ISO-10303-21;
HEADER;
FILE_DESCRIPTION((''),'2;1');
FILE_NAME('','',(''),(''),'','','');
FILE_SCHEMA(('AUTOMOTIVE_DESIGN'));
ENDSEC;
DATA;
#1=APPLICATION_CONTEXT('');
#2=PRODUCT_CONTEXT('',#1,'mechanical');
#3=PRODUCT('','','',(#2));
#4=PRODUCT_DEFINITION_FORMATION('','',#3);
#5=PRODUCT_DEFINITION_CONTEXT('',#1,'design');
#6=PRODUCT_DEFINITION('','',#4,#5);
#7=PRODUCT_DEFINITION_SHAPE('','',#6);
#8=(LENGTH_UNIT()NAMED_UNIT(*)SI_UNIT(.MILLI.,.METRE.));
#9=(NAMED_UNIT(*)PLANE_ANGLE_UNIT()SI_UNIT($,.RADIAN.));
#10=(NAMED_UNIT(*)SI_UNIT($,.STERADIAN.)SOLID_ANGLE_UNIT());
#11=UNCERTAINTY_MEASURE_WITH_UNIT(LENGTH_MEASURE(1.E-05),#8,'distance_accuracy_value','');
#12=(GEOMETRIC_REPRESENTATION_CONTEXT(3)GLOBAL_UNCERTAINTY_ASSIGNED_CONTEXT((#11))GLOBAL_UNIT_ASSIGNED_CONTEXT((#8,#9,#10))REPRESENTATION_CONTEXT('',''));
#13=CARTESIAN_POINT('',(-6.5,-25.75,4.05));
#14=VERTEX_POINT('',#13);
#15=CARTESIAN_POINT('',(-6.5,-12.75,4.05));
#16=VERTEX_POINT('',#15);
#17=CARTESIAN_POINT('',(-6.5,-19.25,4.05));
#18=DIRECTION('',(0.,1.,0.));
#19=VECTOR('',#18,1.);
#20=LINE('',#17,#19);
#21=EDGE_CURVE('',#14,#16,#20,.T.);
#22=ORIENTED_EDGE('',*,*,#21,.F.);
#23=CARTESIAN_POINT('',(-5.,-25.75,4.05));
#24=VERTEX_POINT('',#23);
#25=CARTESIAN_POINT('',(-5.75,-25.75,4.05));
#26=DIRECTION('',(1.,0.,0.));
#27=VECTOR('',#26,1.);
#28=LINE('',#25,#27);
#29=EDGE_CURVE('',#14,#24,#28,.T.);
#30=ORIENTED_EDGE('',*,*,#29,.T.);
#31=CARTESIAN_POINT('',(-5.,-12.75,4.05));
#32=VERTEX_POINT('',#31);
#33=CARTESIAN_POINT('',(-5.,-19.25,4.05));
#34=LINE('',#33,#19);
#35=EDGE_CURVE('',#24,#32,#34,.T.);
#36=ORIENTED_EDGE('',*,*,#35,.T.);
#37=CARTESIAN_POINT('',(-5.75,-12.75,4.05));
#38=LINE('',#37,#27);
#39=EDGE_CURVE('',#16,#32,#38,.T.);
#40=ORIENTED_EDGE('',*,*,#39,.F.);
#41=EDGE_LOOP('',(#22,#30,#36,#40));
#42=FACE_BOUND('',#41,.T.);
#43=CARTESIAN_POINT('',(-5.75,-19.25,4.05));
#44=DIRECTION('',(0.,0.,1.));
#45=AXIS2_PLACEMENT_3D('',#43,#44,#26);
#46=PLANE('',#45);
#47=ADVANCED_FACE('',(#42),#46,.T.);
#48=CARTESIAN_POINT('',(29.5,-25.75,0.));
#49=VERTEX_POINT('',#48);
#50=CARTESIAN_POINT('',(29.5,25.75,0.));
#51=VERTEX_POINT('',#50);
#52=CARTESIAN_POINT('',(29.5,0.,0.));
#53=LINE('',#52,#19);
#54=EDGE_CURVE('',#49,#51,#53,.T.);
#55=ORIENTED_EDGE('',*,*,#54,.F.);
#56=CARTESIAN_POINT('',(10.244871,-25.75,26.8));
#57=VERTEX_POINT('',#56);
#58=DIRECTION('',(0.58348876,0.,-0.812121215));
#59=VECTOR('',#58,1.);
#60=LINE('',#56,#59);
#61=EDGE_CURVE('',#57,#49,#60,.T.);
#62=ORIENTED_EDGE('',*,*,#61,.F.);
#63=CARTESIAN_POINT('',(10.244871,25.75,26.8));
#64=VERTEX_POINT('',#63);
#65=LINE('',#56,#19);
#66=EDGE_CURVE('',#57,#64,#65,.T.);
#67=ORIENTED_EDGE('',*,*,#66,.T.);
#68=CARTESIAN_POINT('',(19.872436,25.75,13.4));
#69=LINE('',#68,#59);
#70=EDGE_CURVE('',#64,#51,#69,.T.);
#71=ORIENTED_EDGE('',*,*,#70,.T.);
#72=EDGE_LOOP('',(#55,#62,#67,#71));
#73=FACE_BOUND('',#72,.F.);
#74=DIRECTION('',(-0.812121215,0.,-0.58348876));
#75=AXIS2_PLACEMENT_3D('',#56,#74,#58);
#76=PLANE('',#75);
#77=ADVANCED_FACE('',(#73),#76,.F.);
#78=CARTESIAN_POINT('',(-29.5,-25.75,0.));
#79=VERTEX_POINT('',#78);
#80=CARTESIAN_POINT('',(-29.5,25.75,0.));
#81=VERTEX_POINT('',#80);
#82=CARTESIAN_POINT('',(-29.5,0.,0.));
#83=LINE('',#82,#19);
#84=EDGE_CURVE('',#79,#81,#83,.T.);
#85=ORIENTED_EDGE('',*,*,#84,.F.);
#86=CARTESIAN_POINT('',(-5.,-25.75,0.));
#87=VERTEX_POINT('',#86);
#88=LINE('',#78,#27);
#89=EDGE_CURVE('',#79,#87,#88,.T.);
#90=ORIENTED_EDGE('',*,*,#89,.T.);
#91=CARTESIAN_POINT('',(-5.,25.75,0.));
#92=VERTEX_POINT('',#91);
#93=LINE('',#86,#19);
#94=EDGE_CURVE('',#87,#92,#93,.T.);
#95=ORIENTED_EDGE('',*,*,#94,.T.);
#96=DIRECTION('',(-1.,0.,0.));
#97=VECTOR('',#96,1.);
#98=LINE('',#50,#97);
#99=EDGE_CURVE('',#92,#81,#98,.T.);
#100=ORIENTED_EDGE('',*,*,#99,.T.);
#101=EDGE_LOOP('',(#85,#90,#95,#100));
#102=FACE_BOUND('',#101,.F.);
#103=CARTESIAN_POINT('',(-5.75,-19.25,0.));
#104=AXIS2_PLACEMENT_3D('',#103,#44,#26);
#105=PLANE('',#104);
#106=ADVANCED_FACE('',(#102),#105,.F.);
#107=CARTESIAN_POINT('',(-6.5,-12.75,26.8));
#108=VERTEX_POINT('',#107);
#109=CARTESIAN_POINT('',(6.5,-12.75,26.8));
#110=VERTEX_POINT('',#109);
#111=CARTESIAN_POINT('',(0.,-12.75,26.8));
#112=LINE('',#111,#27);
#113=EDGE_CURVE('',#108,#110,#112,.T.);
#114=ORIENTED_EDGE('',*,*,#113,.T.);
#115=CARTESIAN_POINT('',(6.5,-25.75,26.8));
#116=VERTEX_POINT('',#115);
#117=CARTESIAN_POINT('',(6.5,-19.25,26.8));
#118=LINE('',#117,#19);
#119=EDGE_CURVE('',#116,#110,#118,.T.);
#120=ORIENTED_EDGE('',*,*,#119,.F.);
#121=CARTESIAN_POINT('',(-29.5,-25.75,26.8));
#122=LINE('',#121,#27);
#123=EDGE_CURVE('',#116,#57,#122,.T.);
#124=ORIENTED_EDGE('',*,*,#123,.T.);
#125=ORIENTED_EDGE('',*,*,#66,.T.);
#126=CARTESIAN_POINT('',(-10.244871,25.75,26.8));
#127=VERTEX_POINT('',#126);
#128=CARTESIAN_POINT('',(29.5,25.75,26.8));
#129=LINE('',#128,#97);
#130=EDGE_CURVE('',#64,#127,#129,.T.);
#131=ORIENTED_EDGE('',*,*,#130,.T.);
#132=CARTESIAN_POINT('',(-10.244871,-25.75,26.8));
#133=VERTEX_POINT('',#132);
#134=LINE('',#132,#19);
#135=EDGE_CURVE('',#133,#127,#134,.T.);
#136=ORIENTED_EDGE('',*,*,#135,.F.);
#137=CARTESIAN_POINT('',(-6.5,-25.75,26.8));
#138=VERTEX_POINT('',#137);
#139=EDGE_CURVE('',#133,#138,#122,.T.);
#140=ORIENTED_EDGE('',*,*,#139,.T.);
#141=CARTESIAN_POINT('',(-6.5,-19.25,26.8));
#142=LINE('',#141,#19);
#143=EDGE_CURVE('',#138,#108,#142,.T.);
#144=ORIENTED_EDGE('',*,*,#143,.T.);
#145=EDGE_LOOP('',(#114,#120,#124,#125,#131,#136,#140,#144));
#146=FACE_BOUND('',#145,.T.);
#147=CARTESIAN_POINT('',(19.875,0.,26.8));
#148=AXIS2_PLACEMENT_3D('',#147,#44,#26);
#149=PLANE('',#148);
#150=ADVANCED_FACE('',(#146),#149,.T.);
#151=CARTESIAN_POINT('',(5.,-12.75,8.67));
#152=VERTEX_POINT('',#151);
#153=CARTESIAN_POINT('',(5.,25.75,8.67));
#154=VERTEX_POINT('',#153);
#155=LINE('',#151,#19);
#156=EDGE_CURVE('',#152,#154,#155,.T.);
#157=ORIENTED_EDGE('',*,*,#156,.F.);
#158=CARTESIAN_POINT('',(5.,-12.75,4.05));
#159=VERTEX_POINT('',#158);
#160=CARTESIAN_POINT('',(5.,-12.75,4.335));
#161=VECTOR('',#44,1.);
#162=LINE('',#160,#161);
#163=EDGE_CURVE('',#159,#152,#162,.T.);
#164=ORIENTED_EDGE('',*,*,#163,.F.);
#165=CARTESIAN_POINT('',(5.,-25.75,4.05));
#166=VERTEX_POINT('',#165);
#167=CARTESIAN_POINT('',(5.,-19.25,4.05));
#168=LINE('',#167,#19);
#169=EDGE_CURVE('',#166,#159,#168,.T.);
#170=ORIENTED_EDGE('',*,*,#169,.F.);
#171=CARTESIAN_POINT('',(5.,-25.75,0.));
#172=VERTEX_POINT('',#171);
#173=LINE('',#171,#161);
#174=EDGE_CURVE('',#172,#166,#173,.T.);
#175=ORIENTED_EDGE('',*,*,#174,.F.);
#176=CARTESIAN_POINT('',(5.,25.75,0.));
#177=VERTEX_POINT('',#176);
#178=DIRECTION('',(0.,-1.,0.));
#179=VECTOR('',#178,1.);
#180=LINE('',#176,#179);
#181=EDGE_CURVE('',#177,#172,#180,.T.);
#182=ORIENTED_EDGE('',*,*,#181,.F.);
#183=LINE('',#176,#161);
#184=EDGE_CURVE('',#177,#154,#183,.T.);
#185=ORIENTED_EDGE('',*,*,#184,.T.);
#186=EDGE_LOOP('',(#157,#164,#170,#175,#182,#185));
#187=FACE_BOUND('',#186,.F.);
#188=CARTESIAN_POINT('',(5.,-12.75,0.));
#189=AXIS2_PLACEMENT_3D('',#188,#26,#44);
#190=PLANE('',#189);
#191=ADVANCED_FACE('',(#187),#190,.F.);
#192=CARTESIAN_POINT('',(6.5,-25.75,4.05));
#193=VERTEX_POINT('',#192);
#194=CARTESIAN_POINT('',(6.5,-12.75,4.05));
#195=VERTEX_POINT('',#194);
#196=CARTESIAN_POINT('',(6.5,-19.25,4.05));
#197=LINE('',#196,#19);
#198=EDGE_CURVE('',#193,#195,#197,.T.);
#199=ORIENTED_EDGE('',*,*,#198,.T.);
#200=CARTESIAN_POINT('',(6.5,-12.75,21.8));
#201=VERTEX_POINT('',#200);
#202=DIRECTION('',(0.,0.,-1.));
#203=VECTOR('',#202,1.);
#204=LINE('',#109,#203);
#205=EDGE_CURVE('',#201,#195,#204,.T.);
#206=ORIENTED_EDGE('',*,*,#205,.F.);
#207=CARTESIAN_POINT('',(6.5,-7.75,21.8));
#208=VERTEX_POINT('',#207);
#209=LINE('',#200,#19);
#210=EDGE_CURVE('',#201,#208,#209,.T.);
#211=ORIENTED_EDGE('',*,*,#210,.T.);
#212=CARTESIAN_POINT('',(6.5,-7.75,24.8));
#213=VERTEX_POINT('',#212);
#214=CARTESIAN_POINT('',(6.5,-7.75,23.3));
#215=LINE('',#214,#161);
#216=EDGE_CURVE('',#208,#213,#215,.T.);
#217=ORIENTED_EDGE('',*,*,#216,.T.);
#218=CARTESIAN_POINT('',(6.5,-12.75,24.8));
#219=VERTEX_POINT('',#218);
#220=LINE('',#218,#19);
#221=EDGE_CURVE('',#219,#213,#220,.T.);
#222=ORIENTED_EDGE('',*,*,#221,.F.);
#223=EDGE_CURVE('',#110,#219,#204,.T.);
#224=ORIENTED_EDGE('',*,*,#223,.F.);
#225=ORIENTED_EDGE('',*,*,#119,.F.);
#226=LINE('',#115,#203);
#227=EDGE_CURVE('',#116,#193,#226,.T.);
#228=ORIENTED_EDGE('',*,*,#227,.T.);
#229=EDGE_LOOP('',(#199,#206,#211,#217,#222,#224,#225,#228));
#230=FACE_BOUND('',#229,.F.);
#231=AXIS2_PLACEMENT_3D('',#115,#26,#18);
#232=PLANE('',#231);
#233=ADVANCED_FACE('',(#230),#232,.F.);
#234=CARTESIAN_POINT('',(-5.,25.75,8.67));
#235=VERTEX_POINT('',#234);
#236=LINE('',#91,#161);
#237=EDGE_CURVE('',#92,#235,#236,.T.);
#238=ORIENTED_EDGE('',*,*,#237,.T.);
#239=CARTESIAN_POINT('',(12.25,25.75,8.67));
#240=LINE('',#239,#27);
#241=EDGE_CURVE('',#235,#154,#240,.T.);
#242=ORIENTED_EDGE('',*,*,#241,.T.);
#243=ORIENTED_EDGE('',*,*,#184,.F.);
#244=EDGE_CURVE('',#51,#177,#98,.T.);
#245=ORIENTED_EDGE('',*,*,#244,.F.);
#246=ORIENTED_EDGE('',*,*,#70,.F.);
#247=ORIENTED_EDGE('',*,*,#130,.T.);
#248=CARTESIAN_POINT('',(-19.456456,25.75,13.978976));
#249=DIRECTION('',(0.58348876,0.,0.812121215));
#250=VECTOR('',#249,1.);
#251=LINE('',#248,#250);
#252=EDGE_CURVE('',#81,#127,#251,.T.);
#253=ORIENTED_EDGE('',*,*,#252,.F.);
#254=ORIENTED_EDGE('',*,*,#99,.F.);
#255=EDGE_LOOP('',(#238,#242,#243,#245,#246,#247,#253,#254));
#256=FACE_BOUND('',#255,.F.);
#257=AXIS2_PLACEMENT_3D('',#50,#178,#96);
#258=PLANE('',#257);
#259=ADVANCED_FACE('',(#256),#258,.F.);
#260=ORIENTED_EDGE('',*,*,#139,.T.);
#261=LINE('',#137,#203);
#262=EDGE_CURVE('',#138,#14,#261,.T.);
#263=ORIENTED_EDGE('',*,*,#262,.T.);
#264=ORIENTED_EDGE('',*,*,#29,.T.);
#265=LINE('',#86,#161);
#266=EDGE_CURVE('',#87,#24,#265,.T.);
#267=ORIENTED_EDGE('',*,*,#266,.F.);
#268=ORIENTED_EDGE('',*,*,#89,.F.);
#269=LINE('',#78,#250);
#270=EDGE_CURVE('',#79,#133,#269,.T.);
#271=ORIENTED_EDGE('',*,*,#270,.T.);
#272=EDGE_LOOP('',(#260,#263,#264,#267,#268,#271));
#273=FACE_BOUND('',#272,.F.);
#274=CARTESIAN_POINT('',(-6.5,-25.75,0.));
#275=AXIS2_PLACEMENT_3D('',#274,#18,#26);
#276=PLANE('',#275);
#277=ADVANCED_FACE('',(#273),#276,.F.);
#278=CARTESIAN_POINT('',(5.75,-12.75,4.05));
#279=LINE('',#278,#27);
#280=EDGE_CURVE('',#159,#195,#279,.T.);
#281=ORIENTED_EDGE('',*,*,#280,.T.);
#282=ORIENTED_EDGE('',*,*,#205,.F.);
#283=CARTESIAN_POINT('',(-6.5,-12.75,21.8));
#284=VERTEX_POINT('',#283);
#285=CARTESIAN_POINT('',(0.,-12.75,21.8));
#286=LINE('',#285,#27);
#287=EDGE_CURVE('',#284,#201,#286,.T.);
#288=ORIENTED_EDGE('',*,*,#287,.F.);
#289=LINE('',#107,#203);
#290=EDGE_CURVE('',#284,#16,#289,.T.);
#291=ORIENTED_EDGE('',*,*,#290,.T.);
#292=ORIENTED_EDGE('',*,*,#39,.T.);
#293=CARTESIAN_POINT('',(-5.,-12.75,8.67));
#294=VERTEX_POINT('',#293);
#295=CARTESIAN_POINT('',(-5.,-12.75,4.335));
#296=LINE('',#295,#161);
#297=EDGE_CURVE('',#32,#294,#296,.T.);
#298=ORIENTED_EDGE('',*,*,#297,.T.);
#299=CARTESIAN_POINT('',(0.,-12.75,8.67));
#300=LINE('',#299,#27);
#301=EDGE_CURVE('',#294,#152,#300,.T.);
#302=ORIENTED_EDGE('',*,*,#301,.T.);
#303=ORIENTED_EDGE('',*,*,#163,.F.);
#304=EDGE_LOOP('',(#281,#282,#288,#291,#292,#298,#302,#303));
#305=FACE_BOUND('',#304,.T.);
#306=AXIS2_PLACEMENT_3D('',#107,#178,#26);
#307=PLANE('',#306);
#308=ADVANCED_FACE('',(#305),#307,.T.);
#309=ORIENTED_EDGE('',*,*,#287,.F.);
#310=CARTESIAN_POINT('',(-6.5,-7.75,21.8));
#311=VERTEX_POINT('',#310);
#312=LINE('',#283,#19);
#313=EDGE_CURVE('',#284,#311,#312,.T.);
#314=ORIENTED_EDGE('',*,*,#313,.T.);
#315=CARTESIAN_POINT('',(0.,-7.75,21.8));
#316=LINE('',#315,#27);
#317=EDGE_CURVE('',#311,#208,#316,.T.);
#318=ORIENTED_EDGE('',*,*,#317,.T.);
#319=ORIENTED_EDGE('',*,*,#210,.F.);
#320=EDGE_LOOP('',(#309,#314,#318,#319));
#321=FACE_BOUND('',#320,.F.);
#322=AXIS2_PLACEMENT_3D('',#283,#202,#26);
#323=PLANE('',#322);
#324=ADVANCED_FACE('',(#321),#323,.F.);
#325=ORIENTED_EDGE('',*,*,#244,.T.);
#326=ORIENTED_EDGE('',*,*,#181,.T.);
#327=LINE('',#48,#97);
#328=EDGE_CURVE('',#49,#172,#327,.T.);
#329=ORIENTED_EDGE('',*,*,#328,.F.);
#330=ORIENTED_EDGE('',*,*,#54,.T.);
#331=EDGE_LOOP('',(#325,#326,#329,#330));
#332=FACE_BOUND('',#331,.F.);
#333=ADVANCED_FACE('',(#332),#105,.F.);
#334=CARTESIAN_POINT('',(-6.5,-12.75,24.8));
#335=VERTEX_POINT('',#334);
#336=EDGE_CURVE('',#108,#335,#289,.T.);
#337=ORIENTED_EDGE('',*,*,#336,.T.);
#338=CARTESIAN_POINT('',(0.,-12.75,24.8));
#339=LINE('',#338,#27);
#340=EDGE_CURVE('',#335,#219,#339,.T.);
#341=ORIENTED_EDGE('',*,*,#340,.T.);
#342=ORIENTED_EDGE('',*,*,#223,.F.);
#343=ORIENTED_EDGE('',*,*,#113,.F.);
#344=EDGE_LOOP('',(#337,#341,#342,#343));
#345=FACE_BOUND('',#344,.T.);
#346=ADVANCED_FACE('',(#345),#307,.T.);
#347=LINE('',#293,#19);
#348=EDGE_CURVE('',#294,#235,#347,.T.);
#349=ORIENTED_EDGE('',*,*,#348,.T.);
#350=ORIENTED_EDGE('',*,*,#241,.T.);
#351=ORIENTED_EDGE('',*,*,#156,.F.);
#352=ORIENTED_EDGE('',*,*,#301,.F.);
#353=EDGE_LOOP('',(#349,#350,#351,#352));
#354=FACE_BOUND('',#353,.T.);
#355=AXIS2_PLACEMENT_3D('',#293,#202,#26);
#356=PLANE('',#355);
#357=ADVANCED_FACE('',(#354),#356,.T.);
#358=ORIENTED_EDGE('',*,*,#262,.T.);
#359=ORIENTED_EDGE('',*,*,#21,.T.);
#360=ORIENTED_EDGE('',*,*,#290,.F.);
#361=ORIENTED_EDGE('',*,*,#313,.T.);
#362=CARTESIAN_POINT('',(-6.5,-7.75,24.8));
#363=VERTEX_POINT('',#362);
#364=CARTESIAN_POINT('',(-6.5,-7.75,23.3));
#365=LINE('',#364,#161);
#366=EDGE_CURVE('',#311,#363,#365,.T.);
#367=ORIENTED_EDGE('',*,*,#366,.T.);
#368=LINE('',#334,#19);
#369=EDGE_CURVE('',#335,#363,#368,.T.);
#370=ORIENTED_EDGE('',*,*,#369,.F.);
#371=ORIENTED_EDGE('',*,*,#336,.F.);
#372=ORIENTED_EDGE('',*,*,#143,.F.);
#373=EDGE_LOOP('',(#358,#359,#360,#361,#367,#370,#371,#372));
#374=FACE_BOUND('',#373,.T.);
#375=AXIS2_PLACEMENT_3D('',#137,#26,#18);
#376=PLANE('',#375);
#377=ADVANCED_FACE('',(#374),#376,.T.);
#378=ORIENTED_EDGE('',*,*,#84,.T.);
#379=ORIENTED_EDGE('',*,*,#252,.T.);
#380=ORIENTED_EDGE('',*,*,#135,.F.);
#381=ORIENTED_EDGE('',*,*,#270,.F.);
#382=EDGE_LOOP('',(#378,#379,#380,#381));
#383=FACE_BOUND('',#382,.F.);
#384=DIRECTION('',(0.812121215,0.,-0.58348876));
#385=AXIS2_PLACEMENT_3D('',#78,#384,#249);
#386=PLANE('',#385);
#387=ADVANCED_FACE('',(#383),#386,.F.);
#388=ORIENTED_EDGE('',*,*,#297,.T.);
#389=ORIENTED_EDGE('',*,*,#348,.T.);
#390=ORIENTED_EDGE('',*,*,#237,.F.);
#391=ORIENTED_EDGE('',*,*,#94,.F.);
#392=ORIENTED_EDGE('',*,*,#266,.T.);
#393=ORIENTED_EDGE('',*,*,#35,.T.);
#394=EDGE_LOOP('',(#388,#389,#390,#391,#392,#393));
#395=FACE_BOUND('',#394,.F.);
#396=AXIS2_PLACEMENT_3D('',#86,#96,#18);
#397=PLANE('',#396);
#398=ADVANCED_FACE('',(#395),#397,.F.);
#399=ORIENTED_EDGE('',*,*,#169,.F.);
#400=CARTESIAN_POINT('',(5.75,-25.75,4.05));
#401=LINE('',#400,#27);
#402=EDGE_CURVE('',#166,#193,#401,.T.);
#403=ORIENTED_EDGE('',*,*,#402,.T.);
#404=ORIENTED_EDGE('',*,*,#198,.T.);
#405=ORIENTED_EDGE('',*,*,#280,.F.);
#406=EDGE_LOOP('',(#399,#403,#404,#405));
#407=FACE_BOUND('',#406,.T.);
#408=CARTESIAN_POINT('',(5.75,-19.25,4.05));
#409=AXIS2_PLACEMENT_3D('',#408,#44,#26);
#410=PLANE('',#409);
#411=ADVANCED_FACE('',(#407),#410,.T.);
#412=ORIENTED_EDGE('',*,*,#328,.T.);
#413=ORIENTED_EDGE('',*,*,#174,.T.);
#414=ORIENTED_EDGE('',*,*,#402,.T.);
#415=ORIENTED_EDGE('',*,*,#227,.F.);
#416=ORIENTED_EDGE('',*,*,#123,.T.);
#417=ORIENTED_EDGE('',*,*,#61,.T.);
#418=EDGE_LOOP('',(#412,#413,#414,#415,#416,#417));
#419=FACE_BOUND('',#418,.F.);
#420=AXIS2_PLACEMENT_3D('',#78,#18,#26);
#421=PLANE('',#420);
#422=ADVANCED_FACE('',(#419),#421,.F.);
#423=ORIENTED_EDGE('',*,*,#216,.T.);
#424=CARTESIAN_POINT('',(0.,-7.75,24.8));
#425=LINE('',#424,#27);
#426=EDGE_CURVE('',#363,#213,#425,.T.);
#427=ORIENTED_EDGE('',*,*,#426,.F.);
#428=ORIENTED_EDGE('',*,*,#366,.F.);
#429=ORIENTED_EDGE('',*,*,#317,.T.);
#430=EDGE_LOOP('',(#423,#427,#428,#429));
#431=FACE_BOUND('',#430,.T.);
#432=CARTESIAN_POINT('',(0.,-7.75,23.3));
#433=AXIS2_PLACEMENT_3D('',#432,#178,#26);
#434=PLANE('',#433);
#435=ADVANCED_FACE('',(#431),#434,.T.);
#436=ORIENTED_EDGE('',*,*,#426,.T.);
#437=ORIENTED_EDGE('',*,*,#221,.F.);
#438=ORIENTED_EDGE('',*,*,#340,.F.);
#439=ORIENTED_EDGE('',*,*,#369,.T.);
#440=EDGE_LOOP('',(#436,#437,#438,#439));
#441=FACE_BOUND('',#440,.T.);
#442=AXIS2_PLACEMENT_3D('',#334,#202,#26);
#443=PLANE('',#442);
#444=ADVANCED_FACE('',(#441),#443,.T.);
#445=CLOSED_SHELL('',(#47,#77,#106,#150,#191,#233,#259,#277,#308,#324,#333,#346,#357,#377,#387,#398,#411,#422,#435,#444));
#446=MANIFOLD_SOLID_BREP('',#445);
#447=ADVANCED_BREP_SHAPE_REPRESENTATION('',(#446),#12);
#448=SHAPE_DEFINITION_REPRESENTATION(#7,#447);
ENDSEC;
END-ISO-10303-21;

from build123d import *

# Parameters (mm, degrees)
F0_W      = 19.25
F0_H      = 51.5
F0_W_2    = 20.5
F1_DEPTH  = 26.8
F2_W      = 13
F2_H      = 13
F3_DEPTH  = 26.8
F4_W      = 1.5
F4_H      = 13
F5_DEPTH  = 4.05
F7_DEPTH  = 51.501
F8_W      = 10
F8_H      = 8.67
F9_DEPTH  = 38.501
F10_W     = 13
F10_H     = 3
F11_DEPTH = 5


with BuildPart() as f1:
    # F0 (on Top) → F1 (new body)
    with BuildSketch(Plane.XY):
        with Locations((19.875, 0)):
            Rectangle(F0_W, F0_H)
        Rectangle(F0_W_2, F0_H)
        with Locations((-19.875, 0)):
            Rectangle(F0_W, F0_H)
    extrude(amount=F1_DEPTH)

    # F2 (on face) → F3 (cut)
    with BuildSketch(Plane.XY.offset(26.8)):
        with Locations((0, -19.25)):
            Rectangle(F2_W, F2_H)
    extrude(amount=-F3_DEPTH, mode=Mode.SUBTRACT)

    # F4 (on face) → F5 (join)
    with BuildSketch(Plane.XY):
        with Locations((-5.75, -19.25)):
            Rectangle(F4_W, F4_H)
        with Locations((5.75, -19.25)):
            Rectangle(F4_W, F4_H)
    extrude(amount=F5_DEPTH)

    # F6 (on face) → F7 (cut, through all)
    with BuildSketch(Plane.XZ.offset(25.75)):
        Polygon((-29.5, 26.8), (-29.5, 0), (-10.244871, 26.8), align=None)
        Polygon((10.244871, 26.8), (29.5, 0), (29.5, 26.8), align=None)
    extrude(amount=-F7_DEPTH, mode=Mode.SUBTRACT)

    # F8 (on face) → F9 (cut, through all)
    with BuildSketch(Plane.XZ.offset(12.75)):
        with Locations((0, 4.335)):
            Rectangle(F8_W, F8_H)
    extrude(amount=-F9_DEPTH, mode=Mode.SUBTRACT)

    # F10 (on face) → F11 (cut)
    with BuildSketch(Plane.XZ.offset(12.75)):
        with Locations((0, 23.3)):
            Rectangle(F10_W, F10_H)
    extrude(amount=-F11_DEPTH, mode=Mode.SUBTRACT)


solid = f1.part
